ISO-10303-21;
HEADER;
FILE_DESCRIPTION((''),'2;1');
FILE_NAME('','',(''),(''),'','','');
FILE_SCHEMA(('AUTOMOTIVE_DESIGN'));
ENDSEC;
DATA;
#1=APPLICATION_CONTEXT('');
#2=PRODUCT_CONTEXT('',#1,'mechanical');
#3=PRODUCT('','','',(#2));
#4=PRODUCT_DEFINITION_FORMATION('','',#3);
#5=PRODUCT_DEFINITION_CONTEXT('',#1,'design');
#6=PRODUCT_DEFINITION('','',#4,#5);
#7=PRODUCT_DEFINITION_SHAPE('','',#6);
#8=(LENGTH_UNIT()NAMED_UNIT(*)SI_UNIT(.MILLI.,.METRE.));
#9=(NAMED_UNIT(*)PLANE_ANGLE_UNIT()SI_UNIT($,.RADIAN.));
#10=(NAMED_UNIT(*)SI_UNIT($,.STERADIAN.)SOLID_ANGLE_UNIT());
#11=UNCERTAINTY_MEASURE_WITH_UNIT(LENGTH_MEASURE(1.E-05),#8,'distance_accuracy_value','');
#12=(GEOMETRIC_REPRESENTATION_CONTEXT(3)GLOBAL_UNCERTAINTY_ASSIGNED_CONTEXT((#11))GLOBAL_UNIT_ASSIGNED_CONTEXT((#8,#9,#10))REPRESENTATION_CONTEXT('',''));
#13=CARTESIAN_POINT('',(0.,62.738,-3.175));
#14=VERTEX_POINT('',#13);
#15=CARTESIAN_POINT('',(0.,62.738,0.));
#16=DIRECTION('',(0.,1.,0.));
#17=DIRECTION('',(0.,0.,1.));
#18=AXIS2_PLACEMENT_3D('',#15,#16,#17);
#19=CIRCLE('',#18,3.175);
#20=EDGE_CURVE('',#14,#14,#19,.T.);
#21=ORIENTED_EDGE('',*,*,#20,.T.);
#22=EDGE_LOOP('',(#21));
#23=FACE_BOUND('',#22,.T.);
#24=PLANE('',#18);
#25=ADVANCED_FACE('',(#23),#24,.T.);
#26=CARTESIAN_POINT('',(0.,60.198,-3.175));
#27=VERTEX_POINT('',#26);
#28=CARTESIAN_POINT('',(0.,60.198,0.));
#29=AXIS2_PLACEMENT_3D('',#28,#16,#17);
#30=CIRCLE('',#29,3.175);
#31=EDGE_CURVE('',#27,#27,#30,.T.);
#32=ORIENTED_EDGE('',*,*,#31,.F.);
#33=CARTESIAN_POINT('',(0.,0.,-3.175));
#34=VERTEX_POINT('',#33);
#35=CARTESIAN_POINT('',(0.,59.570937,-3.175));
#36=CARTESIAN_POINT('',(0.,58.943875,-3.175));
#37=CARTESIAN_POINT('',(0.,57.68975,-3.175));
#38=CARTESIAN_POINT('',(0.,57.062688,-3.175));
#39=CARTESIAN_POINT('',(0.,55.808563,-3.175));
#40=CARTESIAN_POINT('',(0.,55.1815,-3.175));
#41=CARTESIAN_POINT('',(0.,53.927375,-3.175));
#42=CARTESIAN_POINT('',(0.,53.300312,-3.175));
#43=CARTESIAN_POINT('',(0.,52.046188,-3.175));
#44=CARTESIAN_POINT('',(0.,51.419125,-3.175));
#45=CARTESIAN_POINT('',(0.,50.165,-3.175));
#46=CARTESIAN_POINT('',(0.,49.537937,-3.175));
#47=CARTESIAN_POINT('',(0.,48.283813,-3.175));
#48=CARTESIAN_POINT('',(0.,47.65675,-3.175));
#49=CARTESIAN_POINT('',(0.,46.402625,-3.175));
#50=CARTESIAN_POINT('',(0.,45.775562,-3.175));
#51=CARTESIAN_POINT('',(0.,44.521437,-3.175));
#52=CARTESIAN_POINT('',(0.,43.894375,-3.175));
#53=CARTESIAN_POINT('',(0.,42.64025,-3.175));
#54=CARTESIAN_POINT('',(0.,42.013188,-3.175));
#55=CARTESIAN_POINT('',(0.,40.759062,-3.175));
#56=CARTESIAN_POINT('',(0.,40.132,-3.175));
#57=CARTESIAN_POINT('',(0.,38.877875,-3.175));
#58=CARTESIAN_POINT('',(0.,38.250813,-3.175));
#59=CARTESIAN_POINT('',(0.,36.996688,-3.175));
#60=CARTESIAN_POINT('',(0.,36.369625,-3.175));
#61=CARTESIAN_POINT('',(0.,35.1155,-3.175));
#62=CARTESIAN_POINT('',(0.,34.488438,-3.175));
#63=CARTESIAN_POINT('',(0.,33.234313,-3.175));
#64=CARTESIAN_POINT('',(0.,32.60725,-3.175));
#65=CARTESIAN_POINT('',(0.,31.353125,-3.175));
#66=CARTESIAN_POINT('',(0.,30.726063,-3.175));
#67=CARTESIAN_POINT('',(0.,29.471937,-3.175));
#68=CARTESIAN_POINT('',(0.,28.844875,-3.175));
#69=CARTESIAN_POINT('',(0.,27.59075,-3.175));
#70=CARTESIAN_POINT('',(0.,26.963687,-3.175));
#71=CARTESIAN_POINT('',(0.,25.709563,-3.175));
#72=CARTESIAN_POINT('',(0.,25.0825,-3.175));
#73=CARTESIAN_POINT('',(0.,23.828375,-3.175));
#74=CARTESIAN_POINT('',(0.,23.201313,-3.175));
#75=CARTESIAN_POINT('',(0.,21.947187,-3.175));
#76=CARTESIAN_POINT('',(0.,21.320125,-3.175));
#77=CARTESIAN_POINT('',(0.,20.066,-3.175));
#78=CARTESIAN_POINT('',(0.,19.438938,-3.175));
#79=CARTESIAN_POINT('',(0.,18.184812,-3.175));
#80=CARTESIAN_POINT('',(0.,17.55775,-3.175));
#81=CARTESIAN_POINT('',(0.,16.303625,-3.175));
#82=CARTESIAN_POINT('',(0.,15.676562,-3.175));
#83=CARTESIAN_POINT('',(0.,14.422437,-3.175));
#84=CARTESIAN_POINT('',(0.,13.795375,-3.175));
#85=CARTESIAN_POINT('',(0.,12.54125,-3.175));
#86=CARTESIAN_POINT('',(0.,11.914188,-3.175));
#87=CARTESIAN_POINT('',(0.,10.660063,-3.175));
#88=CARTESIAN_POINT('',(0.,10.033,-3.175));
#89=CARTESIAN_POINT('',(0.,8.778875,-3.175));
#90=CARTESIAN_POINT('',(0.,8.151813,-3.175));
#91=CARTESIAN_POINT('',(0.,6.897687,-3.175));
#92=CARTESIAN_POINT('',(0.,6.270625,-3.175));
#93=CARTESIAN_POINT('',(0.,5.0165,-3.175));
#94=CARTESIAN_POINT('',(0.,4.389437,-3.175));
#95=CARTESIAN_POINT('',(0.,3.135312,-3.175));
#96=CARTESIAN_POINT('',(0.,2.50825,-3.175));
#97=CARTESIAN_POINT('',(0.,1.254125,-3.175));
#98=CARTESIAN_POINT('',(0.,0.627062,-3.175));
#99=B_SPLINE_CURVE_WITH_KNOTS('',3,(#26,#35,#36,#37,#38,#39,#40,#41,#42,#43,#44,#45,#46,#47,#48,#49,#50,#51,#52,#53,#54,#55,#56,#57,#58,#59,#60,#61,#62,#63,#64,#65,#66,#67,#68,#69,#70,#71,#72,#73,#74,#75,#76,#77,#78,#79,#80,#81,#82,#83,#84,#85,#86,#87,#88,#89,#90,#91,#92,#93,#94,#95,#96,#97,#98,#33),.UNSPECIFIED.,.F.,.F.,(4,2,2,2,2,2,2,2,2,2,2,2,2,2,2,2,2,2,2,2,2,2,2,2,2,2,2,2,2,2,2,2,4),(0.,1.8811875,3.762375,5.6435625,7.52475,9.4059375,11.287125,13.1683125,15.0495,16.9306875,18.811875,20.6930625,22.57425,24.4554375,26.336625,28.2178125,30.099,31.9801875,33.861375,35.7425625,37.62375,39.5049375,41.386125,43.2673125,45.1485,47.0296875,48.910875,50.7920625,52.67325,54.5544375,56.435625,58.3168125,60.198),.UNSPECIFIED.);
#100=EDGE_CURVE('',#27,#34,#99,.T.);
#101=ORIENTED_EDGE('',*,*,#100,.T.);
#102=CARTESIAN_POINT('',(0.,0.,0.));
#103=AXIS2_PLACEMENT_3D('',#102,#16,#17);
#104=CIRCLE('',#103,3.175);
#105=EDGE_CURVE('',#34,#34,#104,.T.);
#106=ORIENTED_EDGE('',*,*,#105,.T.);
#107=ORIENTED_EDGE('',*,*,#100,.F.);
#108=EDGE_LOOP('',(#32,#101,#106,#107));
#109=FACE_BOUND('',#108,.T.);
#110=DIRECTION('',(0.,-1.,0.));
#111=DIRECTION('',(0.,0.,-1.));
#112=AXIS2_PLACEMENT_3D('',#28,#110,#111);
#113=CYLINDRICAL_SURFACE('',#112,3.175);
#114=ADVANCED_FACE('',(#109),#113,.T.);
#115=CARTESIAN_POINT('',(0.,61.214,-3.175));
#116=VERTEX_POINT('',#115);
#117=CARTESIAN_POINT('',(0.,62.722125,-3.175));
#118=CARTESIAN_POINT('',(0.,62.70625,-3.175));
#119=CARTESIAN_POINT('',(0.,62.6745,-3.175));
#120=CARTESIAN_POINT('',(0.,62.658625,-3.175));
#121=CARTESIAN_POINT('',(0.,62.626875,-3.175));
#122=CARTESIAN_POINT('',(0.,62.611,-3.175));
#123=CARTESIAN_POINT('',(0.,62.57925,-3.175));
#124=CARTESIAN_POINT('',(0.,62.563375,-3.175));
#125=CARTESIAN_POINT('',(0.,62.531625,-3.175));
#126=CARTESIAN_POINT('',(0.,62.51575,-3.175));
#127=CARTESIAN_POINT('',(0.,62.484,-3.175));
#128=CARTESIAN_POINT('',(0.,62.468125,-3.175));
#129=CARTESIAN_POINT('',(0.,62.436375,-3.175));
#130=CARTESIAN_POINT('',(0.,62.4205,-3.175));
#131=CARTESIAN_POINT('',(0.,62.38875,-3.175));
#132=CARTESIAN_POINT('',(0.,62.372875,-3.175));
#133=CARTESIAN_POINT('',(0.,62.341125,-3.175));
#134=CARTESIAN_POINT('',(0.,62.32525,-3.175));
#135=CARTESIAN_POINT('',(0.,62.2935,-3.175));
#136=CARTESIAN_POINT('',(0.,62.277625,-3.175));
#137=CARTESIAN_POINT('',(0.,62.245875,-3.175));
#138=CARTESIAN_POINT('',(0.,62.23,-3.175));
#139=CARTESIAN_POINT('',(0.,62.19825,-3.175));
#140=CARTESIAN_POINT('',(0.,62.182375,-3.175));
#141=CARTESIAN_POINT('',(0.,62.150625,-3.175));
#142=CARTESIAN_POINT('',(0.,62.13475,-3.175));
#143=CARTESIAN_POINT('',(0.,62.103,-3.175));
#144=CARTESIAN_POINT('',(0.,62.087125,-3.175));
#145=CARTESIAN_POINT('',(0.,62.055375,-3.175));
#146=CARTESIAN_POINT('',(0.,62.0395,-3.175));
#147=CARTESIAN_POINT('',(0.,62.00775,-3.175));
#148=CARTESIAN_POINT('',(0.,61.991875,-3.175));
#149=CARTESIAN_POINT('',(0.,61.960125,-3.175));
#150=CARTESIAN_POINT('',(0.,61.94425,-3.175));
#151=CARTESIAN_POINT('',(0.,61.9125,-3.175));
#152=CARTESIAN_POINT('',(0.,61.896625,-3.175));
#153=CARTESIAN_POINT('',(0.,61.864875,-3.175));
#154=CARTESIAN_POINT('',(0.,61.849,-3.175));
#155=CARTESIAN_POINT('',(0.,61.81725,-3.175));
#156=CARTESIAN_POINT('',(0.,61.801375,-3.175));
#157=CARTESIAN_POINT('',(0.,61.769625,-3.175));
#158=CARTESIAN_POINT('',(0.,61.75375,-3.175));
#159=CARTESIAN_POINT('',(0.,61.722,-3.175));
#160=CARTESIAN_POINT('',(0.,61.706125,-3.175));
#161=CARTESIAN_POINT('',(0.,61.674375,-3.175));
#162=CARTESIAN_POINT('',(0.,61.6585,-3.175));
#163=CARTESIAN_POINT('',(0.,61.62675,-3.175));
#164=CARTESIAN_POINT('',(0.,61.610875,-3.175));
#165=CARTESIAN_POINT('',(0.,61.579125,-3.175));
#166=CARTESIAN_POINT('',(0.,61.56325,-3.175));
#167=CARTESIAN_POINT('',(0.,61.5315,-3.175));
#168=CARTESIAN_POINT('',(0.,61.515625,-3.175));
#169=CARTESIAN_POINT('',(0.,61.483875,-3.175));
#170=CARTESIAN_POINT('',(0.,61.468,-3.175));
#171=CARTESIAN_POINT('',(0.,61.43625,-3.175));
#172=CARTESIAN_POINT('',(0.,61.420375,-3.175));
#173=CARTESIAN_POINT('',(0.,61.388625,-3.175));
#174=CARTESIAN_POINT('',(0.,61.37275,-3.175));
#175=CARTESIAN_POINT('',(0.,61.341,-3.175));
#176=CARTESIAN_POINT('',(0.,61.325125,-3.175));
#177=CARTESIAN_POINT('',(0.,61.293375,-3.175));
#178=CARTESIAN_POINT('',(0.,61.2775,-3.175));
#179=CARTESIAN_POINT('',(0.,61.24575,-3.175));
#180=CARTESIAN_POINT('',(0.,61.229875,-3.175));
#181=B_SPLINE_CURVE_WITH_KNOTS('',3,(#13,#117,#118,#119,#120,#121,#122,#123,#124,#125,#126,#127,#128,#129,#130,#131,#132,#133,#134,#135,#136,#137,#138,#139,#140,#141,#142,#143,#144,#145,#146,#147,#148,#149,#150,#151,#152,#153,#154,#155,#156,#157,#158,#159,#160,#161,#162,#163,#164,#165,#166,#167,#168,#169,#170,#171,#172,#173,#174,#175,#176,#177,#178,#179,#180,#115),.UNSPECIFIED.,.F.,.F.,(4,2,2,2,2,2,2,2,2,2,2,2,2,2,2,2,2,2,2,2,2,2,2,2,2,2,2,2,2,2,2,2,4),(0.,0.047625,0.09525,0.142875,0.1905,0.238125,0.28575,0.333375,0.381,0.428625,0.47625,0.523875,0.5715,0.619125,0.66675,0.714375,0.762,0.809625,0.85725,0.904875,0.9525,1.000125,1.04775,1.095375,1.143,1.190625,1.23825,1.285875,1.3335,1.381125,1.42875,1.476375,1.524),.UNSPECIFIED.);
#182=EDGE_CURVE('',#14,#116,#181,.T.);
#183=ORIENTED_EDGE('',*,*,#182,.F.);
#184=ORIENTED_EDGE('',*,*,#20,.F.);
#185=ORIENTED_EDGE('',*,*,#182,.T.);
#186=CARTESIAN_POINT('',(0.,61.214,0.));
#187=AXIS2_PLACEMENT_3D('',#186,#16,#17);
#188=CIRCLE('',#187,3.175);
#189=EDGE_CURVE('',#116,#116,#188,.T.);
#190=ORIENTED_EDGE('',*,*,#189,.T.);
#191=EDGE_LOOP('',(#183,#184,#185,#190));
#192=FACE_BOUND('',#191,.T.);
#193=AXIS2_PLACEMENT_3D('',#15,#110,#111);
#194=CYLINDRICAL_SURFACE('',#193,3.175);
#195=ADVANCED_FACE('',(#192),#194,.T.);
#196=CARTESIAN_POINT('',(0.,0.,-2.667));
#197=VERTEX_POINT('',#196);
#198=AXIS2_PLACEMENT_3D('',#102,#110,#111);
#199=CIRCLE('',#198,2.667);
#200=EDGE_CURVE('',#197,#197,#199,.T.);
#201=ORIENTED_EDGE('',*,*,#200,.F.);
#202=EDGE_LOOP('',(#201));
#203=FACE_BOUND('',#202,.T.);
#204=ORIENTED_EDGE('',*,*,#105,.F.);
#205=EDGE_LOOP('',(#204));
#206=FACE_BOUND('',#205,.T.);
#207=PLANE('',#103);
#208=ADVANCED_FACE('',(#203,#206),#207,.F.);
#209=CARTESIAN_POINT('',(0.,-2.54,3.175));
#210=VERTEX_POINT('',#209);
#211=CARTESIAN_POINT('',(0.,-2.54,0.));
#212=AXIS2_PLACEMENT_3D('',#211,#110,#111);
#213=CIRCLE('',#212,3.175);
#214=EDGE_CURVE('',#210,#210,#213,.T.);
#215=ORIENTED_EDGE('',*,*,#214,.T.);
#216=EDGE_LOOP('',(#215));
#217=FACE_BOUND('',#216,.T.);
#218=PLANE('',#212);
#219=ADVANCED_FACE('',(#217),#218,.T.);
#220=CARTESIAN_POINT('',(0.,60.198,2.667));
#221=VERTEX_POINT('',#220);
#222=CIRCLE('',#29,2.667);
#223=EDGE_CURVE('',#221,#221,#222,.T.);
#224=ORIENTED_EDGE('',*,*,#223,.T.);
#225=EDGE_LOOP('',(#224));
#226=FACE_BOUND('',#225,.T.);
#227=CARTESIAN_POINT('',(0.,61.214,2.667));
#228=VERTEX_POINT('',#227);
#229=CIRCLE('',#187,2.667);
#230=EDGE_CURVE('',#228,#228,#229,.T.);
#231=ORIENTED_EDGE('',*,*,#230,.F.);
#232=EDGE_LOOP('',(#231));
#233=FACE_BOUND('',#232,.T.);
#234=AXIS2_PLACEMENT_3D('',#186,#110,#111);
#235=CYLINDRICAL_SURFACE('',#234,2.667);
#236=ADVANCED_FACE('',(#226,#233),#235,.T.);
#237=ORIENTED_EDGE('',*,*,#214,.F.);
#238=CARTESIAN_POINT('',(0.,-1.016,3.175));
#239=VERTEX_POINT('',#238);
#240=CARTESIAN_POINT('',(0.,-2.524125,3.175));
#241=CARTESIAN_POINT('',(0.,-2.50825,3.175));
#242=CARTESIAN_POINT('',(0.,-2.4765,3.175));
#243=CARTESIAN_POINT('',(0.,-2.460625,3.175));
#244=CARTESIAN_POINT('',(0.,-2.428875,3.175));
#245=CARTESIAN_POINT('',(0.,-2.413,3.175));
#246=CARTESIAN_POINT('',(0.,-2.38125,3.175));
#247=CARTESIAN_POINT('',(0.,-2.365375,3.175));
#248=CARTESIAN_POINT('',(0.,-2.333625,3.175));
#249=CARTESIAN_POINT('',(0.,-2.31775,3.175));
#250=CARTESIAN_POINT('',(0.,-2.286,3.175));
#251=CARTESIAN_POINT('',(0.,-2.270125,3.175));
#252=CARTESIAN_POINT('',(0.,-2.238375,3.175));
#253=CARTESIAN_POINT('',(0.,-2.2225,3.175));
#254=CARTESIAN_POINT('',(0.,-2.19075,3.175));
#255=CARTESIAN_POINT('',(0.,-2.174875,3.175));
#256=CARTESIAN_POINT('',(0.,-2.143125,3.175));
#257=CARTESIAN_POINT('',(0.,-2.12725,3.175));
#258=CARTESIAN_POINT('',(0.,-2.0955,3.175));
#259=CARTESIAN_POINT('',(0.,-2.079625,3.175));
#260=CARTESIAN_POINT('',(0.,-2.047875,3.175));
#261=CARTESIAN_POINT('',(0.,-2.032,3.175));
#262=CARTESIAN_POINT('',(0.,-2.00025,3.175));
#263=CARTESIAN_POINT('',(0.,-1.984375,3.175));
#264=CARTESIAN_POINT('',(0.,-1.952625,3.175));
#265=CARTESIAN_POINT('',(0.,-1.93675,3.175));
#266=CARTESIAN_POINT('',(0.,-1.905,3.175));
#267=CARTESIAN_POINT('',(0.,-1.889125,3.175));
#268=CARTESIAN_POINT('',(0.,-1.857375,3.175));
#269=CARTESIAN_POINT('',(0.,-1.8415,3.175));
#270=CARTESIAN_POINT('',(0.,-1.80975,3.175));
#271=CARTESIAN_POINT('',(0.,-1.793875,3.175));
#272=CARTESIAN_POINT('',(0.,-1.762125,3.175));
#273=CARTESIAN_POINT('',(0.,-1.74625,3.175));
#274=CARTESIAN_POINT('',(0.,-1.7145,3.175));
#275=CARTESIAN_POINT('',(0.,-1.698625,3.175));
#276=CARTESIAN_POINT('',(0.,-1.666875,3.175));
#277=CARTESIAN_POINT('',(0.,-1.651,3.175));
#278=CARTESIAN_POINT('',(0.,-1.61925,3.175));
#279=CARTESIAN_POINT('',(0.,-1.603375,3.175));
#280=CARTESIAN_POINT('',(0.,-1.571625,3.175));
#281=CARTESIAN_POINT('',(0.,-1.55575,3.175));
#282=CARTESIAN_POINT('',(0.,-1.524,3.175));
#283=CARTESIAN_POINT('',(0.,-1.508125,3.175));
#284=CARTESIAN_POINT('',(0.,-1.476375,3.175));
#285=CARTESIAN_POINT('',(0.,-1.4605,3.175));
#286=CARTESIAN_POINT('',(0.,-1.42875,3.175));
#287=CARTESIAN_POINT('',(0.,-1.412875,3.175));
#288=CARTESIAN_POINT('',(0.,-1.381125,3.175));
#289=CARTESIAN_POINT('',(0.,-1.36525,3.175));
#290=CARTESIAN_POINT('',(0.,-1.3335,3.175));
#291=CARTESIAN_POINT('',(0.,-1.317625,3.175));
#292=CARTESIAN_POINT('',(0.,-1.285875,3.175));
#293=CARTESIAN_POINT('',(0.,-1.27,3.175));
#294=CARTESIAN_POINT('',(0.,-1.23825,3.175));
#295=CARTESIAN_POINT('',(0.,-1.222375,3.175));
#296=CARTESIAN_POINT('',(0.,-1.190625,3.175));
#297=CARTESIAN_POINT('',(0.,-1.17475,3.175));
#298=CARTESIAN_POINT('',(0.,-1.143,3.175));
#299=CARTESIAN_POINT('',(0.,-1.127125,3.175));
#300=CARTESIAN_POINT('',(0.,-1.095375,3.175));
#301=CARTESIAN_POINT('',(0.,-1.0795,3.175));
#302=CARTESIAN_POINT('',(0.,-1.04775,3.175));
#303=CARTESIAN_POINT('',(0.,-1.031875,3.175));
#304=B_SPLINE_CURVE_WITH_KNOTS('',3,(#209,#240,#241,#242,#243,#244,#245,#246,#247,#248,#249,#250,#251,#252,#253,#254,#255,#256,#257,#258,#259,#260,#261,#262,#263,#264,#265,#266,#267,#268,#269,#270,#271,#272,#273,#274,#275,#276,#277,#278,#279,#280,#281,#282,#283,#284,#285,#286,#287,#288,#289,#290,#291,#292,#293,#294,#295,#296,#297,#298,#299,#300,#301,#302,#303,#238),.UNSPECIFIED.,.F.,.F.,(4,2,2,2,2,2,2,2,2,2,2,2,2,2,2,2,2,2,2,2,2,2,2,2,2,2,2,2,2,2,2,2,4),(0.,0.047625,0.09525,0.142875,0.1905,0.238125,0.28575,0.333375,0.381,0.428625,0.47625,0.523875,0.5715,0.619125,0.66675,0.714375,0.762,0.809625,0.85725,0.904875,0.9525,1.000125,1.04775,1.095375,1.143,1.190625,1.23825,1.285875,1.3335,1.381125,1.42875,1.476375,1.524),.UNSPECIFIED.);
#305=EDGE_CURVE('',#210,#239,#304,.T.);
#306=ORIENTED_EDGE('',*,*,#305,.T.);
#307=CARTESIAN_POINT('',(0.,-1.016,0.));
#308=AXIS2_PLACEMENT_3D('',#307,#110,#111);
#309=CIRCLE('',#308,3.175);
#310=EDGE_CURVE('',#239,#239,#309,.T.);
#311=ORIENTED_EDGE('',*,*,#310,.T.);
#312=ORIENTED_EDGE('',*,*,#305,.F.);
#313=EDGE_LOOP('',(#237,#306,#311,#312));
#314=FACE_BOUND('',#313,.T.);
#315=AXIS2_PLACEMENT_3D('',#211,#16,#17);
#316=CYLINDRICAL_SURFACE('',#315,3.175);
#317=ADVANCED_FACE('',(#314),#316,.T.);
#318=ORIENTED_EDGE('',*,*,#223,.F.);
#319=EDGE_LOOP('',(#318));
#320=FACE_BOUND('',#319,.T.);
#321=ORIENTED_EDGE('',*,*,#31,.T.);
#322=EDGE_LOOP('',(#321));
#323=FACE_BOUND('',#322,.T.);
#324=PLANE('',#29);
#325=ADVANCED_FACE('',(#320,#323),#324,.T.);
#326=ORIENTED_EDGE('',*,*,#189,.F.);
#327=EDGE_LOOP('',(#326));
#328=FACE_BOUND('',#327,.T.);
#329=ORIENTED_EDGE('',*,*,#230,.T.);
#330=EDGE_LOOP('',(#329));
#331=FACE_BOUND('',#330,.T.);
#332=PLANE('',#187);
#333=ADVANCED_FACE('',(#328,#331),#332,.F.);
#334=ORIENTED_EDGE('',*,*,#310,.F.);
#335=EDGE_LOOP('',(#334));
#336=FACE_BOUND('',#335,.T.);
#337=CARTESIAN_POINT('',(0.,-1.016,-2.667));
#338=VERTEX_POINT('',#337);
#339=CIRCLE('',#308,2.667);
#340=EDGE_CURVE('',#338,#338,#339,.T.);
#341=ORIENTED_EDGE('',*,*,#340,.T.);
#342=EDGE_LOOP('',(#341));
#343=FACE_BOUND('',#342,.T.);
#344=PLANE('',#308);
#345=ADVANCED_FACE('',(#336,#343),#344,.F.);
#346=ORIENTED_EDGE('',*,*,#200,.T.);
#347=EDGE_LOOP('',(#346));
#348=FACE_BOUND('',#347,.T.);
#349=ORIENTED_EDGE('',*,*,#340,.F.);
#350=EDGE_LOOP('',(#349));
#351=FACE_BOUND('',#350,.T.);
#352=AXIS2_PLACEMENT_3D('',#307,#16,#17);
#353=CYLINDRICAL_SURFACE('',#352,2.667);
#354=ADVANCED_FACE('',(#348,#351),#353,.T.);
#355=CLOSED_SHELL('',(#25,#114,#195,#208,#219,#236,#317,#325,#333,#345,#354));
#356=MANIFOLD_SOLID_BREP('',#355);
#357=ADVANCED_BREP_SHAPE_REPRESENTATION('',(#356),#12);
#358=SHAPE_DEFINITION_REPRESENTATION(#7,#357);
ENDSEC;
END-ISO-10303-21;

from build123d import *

# Parameters (mm, degrees)
SKETCH1_R           = 3.175
BOSS_EXTRUDE1_DEPTH = 60.198
SKETCH2_R           = 2.667
BOSS_EXTRUDE2_DEPTH = 1.016
SKETCH3_R           = 3.175
BOSS_EXTRUDE3_DEPTH = 1.524
BOSS_EXTRUDE4_START = 1.016
SKETCH4_R           = 2.667
BOSS_EXTRUDE4_DEPTH = 1.016
BOSS_EXTRUDE5_START = 1.524
SKETCH7_R           = 3.175
BOSS_EXTRUDE5_DEPTH = 1.524


with BuildPart() as part:
    # Sketch1 → Boss-Extrude1 (new body)
    with BuildSketch(Plane(origin=(0, 0, 0), x_dir=(1, 0, 0), z_dir=(0, 1, 0))):
        with Locations(Location((0, 0, 0), (0, 0, 90))):
            Circle(SKETCH1_R)
    extrude(amount=BOSS_EXTRUDE1_DEPTH)

    # Sketch2 → Boss-Extrude2 (add)
    with BuildSketch(Plane(origin=(0, 60.198, 0), x_dir=(1, 0, 0), z_dir=(0, 1, 0))):
        with Locations(Location((0, 0, 0), (0, 0, 270))):
            Circle(SKETCH2_R)
    extrude(amount=BOSS_EXTRUDE2_DEPTH)

    # Sketch3 → Boss-Extrude3 (add)
    with BuildSketch(Plane(origin=(0, 61.214, 0), x_dir=(1, 0, 0), z_dir=(0, 1, 0))):
        with Locations(Location((0, 0, 0), (0, 0, 90))):
            Circle(SKETCH3_R)
    extrude(amount=BOSS_EXTRUDE3_DEPTH)

    # Sketch4 → Boss-Extrude4 (add)
    with BuildSketch(Plane.XZ.offset(BOSS_EXTRUDE4_START)):
        with Locations(Location((0, 0, 0), (0, 0, 90))):
            Circle(SKETCH4_R)
    extrude(amount=-BOSS_EXTRUDE4_DEPTH)

    # Sketch7 → Boss-Extrude5 (add)
    with BuildSketch(Plane(origin=(0, -1.016, 0), x_dir=(-1, 0, 0), z_dir=(0, -1, 0)).offset(BOSS_EXTRUDE5_START)):
        with Locations(Location((0, 0, 0), (0, 0, 90))):
            Circle(SKETCH7_R)
    extrude(amount=-BOSS_EXTRUDE5_DEPTH)


solid = part.part
